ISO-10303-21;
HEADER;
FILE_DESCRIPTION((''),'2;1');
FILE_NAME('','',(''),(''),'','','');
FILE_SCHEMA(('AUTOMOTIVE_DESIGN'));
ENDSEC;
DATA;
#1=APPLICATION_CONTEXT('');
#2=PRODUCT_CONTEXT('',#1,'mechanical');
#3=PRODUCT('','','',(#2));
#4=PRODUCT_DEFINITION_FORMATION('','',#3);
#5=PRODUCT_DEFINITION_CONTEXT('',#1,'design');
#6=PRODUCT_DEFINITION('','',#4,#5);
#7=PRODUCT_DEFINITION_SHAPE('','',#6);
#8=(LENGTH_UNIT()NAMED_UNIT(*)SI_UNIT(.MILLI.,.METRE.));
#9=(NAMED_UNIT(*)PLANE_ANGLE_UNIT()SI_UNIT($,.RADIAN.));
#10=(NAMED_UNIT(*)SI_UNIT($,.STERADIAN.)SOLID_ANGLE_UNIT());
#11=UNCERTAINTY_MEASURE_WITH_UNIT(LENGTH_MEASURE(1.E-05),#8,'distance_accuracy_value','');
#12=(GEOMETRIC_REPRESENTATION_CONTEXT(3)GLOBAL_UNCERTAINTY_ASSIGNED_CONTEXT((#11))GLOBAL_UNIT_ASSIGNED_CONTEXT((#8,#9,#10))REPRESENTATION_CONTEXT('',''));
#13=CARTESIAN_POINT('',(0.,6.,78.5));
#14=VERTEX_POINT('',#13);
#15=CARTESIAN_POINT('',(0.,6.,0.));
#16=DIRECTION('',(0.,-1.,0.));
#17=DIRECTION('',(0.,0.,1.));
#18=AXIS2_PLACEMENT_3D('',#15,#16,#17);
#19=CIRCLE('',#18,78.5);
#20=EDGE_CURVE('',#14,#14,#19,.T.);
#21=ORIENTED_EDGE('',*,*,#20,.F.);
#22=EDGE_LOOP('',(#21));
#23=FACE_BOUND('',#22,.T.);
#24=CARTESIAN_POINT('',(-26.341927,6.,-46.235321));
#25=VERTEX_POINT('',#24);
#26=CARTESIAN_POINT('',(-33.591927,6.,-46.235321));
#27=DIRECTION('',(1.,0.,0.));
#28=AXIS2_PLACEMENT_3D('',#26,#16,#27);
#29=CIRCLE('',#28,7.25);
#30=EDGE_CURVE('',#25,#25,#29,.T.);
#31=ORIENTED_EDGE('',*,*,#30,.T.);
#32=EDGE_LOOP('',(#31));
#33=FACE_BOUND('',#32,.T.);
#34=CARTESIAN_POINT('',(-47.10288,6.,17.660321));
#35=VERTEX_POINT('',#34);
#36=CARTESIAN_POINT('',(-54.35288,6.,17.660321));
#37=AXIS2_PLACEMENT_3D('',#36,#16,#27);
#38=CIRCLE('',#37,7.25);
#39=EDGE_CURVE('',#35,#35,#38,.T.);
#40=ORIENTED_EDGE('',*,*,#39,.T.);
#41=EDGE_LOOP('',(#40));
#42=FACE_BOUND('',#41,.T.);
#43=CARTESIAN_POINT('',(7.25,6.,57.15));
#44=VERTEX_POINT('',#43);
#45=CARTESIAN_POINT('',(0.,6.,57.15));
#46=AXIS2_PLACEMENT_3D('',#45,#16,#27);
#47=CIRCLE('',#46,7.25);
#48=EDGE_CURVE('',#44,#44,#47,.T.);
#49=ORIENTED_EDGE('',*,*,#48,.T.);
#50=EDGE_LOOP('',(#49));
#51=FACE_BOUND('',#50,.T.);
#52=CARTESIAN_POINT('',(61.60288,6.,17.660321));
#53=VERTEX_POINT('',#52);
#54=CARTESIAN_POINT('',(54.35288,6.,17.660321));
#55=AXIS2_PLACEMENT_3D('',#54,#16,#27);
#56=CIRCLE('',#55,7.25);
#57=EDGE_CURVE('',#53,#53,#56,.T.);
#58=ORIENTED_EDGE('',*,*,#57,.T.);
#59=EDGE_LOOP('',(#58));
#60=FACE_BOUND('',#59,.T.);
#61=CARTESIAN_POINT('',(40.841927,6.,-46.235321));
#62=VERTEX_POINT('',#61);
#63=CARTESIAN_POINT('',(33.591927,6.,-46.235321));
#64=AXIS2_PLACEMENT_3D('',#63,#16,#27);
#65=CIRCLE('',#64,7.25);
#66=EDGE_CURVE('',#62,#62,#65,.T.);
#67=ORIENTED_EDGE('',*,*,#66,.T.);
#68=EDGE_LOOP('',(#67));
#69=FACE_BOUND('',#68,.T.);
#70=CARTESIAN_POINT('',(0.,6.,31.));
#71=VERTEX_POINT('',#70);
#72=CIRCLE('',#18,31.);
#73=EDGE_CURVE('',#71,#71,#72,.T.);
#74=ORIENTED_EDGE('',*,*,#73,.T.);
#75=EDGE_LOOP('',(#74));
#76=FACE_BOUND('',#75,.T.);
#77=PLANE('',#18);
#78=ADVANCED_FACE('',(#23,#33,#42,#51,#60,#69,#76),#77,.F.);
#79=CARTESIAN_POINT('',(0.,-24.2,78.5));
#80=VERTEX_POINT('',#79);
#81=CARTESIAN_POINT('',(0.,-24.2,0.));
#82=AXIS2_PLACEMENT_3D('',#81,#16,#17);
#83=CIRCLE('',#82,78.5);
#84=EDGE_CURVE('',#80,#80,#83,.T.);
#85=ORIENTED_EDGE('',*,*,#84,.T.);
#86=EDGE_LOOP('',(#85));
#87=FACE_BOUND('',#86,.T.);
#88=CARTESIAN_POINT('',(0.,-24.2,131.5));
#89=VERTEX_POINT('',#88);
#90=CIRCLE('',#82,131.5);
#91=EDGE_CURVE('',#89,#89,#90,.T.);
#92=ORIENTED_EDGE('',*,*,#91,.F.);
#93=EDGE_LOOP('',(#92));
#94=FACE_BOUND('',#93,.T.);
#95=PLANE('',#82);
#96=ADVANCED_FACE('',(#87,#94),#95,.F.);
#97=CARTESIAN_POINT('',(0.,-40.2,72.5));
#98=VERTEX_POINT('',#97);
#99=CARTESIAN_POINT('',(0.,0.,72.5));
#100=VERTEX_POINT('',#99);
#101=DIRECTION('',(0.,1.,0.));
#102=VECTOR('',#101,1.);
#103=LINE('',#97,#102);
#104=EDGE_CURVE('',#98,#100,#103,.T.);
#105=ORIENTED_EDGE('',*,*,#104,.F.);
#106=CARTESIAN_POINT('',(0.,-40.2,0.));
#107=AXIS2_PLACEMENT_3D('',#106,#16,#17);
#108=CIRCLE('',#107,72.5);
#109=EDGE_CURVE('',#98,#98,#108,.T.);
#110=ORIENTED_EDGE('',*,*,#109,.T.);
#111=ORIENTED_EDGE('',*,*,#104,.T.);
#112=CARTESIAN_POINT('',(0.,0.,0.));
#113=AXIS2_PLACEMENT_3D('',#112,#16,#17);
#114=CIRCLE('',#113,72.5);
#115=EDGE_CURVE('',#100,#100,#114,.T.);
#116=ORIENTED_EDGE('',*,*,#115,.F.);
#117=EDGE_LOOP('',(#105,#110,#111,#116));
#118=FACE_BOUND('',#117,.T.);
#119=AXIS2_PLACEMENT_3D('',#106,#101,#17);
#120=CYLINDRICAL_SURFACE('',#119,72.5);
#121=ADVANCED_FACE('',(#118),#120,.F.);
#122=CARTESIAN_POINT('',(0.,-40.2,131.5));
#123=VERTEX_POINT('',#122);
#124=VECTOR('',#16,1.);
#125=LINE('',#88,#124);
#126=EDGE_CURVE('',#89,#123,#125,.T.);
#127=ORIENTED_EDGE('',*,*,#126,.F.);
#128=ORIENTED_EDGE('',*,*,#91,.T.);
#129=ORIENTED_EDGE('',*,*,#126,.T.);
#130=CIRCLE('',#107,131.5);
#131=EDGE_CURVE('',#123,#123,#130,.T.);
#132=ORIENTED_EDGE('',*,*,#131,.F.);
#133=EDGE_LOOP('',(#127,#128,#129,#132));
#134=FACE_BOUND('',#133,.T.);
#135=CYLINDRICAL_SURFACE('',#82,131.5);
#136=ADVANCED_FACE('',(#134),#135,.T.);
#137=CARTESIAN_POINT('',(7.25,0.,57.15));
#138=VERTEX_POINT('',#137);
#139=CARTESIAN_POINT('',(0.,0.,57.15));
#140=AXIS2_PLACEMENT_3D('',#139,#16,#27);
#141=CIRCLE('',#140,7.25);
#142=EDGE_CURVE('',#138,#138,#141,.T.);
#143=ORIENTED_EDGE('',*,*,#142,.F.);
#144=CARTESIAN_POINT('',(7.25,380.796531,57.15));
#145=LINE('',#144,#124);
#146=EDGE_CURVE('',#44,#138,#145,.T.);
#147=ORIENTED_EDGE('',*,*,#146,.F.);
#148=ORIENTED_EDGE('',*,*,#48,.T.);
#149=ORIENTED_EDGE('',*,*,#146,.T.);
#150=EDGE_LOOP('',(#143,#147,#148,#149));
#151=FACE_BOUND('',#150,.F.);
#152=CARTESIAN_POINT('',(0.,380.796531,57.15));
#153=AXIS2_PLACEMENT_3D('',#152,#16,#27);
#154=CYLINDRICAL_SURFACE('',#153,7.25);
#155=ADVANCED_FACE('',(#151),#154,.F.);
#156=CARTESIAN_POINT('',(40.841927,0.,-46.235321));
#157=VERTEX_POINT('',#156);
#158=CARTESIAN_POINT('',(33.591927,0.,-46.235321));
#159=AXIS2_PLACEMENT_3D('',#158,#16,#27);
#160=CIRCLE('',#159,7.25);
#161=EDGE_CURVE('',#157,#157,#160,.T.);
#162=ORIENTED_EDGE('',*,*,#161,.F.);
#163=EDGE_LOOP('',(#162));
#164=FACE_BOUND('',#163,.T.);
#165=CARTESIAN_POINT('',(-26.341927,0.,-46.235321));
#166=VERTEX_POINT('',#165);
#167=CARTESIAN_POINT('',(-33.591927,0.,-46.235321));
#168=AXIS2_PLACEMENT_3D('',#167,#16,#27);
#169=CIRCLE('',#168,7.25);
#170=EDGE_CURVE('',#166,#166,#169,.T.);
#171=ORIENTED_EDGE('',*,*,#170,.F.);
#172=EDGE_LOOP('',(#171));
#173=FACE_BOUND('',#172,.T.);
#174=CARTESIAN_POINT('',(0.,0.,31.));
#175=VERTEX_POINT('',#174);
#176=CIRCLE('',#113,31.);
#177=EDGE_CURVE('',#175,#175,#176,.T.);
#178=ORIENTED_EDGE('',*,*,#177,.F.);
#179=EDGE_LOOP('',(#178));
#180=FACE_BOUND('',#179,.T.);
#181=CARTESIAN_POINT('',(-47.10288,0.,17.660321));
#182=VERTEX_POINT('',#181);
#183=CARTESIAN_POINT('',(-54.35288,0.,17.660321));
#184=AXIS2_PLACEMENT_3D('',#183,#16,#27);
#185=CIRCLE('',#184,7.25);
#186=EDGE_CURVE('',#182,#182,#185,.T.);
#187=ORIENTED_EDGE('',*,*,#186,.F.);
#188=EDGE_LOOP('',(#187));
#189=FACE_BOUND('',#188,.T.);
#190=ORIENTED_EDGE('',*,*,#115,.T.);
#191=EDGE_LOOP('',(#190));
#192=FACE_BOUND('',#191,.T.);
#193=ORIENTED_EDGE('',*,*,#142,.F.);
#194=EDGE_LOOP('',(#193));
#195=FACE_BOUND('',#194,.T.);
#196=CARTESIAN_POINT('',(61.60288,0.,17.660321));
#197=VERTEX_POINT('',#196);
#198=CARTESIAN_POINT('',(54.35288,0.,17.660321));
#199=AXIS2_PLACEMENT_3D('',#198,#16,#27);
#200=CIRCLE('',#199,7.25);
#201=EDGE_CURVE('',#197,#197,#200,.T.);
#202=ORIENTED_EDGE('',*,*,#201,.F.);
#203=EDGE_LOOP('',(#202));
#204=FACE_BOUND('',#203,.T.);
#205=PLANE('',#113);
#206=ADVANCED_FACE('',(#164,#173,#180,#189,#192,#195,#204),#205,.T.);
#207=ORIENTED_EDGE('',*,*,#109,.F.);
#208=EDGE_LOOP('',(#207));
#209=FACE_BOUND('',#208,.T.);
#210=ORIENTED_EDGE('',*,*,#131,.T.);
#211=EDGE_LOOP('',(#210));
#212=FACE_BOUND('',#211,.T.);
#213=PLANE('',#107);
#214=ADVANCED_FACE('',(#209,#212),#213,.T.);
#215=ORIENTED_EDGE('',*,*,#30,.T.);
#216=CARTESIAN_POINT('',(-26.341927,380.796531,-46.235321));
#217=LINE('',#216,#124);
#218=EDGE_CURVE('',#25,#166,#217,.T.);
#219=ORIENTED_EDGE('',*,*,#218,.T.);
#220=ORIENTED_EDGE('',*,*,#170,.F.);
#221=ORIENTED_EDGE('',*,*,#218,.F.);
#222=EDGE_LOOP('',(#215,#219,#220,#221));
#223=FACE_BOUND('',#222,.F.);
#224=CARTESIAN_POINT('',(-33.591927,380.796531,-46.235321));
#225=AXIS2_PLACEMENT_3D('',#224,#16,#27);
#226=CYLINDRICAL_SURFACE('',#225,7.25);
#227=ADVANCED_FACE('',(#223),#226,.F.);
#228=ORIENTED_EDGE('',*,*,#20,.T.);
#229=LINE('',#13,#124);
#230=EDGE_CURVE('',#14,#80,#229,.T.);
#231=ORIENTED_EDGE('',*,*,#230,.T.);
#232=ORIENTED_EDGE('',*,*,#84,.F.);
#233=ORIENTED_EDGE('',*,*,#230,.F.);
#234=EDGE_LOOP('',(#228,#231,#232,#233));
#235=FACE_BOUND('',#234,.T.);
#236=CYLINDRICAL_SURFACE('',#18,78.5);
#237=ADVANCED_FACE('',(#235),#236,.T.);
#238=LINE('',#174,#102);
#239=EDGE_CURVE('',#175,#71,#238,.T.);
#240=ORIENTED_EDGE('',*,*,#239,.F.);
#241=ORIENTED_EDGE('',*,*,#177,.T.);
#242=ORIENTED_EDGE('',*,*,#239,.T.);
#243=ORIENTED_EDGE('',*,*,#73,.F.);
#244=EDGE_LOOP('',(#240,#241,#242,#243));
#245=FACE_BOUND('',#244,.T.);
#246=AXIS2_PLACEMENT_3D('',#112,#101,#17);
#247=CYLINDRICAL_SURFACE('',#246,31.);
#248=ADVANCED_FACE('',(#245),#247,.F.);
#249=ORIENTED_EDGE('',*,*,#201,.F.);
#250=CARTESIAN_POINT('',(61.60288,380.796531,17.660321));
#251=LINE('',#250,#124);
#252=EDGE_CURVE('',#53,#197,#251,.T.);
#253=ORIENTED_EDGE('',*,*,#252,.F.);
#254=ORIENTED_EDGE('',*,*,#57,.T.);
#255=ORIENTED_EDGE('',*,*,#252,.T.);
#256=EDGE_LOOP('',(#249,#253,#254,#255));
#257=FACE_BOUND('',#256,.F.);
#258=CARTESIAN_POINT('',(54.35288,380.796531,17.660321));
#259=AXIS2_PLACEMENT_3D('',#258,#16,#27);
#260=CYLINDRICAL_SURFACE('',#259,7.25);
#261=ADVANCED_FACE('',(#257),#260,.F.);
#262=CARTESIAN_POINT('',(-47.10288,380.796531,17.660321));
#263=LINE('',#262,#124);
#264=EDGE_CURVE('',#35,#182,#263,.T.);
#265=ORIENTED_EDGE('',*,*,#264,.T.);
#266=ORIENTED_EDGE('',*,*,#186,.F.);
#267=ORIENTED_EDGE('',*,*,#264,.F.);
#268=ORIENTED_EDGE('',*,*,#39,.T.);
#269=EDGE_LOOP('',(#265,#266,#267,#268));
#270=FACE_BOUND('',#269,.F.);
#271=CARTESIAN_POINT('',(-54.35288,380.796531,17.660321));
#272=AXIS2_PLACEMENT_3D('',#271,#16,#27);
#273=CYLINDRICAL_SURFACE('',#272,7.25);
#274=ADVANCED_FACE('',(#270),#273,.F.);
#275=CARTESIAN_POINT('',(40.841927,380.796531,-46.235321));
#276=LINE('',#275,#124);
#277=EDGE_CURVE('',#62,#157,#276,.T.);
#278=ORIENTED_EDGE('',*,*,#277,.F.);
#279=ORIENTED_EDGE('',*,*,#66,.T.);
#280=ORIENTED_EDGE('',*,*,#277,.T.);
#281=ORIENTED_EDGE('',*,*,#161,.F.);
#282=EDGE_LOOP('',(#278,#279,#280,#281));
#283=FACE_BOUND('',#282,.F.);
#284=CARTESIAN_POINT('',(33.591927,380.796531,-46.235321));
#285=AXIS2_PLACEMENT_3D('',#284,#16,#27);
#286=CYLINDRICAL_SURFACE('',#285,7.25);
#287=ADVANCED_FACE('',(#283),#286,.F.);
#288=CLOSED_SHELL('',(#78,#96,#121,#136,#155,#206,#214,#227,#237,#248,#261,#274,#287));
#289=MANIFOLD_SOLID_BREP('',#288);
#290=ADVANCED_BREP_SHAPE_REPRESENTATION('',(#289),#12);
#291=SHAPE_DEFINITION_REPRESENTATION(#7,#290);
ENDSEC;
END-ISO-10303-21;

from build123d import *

# Parameters (mm, degrees)
F3_D = 14.5


with BuildPart() as f1:
    # F0 (on Right) → F1 (revolve)
    with BuildSketch(Plane.YZ):
        Polygon((0, 72.5), (0, 31), (6, 31), (6, 78.5), (-24.2, 78.5), (-24.2, 131.5), (-40.2, 131.5), (-40.2, 72.5), align=None)
    revolve(axis=Axis((0, -66.1122447776, 0), (0, -1, 0)))

    # F3 (through all)
    with Locations(Plane(origin=(0, 6, 0), x_dir=(-1, 0, 0), z_dir=(0, 1, 0))):
        with Locations((0, 57.15), (54.3528799063, 17.6603212285), (33.5919271685, -46.2353212285), (-33.5919271685, -46.2353212285), (-54.3528799063, 17.6603212285)):
            Hole(F3_D / 2)


solid = f1.part
